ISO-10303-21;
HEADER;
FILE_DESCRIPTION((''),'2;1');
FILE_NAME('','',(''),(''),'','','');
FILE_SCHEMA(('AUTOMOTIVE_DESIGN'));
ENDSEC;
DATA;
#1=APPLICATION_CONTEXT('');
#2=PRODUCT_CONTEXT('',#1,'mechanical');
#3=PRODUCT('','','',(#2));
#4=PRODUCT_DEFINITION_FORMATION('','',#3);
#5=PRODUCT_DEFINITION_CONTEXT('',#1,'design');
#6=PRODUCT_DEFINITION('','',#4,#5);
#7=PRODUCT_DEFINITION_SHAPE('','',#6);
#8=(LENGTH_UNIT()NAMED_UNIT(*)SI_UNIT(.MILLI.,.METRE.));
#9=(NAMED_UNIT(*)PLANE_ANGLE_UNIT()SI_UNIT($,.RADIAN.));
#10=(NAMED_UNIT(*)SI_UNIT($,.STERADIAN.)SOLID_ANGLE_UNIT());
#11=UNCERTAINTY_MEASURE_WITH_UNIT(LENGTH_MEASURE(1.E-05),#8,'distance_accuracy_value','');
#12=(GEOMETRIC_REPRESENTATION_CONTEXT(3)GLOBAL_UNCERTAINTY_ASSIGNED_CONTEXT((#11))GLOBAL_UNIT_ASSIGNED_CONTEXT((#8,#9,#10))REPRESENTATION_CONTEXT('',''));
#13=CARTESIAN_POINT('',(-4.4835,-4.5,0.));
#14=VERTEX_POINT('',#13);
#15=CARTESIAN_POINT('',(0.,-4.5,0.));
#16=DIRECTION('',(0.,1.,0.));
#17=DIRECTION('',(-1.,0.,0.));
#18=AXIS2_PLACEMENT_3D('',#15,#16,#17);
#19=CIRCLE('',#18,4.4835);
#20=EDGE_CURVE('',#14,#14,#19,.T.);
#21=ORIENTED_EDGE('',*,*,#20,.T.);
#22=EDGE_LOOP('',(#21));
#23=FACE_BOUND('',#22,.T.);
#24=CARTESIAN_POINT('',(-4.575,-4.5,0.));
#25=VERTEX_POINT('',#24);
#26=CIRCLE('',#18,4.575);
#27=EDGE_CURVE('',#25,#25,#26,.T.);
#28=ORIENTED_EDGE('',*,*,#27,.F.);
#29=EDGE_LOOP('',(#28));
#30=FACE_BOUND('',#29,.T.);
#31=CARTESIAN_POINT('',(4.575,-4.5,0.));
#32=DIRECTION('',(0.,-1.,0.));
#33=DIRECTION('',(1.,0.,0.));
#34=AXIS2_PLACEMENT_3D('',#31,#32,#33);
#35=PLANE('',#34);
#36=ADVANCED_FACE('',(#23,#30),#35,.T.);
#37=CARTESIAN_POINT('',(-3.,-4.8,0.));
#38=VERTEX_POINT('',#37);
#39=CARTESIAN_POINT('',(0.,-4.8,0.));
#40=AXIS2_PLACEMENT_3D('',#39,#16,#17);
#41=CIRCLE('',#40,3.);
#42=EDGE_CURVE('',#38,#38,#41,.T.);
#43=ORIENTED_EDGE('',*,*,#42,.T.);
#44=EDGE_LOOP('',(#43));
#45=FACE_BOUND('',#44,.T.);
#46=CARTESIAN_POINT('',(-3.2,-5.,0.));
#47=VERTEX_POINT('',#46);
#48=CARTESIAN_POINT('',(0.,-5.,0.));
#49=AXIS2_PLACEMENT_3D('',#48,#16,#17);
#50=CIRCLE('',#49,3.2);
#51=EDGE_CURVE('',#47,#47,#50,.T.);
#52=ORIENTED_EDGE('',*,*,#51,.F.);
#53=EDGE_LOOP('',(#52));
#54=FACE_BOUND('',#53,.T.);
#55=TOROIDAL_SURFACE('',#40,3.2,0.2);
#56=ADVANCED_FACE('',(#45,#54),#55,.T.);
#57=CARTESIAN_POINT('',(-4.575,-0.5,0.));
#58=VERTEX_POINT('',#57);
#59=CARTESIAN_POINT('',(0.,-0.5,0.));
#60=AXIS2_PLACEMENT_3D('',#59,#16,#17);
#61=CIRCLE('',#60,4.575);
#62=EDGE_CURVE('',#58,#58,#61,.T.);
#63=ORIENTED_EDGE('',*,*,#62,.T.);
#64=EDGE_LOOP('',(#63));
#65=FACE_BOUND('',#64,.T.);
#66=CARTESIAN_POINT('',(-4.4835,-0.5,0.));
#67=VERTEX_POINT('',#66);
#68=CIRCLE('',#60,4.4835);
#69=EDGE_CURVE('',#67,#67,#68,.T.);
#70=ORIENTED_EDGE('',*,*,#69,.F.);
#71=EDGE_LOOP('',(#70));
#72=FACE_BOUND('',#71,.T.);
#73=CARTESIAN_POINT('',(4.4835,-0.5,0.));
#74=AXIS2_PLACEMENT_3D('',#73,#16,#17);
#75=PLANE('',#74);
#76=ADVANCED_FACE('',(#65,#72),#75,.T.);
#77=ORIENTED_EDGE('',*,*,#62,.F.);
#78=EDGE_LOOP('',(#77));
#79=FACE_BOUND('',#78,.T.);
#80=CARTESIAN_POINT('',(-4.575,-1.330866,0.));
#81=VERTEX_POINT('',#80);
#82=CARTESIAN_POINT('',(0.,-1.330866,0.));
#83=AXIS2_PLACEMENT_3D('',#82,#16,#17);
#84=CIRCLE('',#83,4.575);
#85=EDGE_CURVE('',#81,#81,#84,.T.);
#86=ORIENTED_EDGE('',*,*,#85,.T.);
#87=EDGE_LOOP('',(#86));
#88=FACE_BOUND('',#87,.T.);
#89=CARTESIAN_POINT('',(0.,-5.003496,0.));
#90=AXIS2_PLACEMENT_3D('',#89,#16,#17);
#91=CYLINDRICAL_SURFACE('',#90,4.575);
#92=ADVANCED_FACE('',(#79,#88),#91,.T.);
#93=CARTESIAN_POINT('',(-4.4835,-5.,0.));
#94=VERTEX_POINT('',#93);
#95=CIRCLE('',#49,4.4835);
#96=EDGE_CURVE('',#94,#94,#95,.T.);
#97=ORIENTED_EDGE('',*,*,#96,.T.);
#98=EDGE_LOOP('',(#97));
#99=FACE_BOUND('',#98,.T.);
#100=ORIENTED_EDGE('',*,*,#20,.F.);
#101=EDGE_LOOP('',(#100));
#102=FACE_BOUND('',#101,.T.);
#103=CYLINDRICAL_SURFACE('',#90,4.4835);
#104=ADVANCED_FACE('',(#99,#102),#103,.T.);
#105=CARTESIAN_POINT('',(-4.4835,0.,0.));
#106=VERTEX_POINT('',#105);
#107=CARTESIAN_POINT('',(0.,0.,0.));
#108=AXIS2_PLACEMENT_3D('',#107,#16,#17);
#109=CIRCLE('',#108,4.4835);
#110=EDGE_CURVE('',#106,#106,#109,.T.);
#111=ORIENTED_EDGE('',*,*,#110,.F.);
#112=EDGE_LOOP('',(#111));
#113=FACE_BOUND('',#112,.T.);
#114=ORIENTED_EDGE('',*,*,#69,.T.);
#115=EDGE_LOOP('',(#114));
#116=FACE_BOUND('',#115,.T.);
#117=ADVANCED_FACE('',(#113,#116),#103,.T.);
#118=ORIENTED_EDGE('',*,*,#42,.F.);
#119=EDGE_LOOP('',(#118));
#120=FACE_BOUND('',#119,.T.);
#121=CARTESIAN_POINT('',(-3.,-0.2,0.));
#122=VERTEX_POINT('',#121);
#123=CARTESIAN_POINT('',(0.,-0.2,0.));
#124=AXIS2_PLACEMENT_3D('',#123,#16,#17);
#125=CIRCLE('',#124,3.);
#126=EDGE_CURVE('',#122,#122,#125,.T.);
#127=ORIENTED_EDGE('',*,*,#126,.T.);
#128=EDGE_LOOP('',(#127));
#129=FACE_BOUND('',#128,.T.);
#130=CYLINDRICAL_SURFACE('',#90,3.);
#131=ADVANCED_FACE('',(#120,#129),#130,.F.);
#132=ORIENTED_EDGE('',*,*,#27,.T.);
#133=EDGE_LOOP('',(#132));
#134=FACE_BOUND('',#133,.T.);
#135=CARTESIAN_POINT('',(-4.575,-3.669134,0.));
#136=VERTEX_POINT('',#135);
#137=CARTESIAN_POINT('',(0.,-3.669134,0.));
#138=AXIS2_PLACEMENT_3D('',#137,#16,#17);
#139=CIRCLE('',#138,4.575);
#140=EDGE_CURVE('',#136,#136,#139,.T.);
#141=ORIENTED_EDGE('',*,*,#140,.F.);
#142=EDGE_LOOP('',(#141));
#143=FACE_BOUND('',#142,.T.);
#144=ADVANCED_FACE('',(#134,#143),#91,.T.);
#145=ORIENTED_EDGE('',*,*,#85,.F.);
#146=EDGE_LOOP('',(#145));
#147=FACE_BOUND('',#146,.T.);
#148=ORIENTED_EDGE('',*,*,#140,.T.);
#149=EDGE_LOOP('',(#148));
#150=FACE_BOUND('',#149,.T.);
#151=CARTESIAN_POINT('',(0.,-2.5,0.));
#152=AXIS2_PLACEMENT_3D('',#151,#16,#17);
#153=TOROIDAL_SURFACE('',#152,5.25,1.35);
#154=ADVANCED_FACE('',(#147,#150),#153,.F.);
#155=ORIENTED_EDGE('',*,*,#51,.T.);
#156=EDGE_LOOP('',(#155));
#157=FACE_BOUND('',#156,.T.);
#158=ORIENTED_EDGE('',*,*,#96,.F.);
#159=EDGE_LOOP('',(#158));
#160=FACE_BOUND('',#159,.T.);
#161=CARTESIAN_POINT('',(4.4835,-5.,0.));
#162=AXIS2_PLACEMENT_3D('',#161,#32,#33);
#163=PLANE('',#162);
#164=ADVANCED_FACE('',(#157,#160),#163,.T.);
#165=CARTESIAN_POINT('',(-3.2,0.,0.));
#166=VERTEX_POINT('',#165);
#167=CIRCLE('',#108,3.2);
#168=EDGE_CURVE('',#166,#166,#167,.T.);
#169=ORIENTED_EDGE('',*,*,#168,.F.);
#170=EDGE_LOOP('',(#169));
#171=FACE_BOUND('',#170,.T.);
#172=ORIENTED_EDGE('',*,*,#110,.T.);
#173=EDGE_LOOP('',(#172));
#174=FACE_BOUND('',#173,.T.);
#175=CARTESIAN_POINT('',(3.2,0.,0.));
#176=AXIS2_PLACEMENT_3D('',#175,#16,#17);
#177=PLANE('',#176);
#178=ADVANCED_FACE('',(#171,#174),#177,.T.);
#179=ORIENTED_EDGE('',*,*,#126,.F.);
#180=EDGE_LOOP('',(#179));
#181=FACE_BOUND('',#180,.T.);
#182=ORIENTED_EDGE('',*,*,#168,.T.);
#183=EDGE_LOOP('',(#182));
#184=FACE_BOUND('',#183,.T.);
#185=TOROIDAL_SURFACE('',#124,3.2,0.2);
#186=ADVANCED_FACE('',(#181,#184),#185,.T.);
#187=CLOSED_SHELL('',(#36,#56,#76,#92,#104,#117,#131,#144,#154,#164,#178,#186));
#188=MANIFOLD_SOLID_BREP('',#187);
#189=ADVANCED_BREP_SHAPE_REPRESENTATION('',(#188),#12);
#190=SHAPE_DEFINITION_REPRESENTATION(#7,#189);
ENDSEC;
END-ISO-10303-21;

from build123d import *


with BuildPart() as part:
    # Sketch1 → Revolve1 (revolve)
    with BuildSketch(Plane(origin=(0, 0, 0), x_dir=(-1, 0, 0), z_dir=(0, 0, -1))):
        with BuildLine():
            Line((-4.575, -0.5), (-4.575, -1.330865705))
            ThreePointArc((-4.575, -1.330865705), (-3.9, -2.5), (-4.575, -3.669134295))
            Line((-4.575, -3.669134295), (-4.575, -4.5))
            Line((-4.575, -4.5), (-4.4835, -4.5))
            Line((-4.4835, -4.5), (-4.4835, -5))
            Line((-4.4835, -5), (-3.2, -5))
            ThreePointArc((-3.2, -5), (-3.058578644, -4.941421356), (-3, -4.8))
            Line((-3, -4.8), (-3, -0.2))
            ThreePointArc((-3, -0.2), (-3.058578644, -0.058578644), (-3.2, 0))
            Line((-3.2, 0), (-4.4835, 0))
            Line((-4.4835, 0), (-4.4835, -0.5))
            Line((-4.4835, -0.5), (-4.575, -0.5))
        make_face()
    revolve(axis=Axis((0, -5.003495744, 0), (0, 1, 0)))


solid = part.part
